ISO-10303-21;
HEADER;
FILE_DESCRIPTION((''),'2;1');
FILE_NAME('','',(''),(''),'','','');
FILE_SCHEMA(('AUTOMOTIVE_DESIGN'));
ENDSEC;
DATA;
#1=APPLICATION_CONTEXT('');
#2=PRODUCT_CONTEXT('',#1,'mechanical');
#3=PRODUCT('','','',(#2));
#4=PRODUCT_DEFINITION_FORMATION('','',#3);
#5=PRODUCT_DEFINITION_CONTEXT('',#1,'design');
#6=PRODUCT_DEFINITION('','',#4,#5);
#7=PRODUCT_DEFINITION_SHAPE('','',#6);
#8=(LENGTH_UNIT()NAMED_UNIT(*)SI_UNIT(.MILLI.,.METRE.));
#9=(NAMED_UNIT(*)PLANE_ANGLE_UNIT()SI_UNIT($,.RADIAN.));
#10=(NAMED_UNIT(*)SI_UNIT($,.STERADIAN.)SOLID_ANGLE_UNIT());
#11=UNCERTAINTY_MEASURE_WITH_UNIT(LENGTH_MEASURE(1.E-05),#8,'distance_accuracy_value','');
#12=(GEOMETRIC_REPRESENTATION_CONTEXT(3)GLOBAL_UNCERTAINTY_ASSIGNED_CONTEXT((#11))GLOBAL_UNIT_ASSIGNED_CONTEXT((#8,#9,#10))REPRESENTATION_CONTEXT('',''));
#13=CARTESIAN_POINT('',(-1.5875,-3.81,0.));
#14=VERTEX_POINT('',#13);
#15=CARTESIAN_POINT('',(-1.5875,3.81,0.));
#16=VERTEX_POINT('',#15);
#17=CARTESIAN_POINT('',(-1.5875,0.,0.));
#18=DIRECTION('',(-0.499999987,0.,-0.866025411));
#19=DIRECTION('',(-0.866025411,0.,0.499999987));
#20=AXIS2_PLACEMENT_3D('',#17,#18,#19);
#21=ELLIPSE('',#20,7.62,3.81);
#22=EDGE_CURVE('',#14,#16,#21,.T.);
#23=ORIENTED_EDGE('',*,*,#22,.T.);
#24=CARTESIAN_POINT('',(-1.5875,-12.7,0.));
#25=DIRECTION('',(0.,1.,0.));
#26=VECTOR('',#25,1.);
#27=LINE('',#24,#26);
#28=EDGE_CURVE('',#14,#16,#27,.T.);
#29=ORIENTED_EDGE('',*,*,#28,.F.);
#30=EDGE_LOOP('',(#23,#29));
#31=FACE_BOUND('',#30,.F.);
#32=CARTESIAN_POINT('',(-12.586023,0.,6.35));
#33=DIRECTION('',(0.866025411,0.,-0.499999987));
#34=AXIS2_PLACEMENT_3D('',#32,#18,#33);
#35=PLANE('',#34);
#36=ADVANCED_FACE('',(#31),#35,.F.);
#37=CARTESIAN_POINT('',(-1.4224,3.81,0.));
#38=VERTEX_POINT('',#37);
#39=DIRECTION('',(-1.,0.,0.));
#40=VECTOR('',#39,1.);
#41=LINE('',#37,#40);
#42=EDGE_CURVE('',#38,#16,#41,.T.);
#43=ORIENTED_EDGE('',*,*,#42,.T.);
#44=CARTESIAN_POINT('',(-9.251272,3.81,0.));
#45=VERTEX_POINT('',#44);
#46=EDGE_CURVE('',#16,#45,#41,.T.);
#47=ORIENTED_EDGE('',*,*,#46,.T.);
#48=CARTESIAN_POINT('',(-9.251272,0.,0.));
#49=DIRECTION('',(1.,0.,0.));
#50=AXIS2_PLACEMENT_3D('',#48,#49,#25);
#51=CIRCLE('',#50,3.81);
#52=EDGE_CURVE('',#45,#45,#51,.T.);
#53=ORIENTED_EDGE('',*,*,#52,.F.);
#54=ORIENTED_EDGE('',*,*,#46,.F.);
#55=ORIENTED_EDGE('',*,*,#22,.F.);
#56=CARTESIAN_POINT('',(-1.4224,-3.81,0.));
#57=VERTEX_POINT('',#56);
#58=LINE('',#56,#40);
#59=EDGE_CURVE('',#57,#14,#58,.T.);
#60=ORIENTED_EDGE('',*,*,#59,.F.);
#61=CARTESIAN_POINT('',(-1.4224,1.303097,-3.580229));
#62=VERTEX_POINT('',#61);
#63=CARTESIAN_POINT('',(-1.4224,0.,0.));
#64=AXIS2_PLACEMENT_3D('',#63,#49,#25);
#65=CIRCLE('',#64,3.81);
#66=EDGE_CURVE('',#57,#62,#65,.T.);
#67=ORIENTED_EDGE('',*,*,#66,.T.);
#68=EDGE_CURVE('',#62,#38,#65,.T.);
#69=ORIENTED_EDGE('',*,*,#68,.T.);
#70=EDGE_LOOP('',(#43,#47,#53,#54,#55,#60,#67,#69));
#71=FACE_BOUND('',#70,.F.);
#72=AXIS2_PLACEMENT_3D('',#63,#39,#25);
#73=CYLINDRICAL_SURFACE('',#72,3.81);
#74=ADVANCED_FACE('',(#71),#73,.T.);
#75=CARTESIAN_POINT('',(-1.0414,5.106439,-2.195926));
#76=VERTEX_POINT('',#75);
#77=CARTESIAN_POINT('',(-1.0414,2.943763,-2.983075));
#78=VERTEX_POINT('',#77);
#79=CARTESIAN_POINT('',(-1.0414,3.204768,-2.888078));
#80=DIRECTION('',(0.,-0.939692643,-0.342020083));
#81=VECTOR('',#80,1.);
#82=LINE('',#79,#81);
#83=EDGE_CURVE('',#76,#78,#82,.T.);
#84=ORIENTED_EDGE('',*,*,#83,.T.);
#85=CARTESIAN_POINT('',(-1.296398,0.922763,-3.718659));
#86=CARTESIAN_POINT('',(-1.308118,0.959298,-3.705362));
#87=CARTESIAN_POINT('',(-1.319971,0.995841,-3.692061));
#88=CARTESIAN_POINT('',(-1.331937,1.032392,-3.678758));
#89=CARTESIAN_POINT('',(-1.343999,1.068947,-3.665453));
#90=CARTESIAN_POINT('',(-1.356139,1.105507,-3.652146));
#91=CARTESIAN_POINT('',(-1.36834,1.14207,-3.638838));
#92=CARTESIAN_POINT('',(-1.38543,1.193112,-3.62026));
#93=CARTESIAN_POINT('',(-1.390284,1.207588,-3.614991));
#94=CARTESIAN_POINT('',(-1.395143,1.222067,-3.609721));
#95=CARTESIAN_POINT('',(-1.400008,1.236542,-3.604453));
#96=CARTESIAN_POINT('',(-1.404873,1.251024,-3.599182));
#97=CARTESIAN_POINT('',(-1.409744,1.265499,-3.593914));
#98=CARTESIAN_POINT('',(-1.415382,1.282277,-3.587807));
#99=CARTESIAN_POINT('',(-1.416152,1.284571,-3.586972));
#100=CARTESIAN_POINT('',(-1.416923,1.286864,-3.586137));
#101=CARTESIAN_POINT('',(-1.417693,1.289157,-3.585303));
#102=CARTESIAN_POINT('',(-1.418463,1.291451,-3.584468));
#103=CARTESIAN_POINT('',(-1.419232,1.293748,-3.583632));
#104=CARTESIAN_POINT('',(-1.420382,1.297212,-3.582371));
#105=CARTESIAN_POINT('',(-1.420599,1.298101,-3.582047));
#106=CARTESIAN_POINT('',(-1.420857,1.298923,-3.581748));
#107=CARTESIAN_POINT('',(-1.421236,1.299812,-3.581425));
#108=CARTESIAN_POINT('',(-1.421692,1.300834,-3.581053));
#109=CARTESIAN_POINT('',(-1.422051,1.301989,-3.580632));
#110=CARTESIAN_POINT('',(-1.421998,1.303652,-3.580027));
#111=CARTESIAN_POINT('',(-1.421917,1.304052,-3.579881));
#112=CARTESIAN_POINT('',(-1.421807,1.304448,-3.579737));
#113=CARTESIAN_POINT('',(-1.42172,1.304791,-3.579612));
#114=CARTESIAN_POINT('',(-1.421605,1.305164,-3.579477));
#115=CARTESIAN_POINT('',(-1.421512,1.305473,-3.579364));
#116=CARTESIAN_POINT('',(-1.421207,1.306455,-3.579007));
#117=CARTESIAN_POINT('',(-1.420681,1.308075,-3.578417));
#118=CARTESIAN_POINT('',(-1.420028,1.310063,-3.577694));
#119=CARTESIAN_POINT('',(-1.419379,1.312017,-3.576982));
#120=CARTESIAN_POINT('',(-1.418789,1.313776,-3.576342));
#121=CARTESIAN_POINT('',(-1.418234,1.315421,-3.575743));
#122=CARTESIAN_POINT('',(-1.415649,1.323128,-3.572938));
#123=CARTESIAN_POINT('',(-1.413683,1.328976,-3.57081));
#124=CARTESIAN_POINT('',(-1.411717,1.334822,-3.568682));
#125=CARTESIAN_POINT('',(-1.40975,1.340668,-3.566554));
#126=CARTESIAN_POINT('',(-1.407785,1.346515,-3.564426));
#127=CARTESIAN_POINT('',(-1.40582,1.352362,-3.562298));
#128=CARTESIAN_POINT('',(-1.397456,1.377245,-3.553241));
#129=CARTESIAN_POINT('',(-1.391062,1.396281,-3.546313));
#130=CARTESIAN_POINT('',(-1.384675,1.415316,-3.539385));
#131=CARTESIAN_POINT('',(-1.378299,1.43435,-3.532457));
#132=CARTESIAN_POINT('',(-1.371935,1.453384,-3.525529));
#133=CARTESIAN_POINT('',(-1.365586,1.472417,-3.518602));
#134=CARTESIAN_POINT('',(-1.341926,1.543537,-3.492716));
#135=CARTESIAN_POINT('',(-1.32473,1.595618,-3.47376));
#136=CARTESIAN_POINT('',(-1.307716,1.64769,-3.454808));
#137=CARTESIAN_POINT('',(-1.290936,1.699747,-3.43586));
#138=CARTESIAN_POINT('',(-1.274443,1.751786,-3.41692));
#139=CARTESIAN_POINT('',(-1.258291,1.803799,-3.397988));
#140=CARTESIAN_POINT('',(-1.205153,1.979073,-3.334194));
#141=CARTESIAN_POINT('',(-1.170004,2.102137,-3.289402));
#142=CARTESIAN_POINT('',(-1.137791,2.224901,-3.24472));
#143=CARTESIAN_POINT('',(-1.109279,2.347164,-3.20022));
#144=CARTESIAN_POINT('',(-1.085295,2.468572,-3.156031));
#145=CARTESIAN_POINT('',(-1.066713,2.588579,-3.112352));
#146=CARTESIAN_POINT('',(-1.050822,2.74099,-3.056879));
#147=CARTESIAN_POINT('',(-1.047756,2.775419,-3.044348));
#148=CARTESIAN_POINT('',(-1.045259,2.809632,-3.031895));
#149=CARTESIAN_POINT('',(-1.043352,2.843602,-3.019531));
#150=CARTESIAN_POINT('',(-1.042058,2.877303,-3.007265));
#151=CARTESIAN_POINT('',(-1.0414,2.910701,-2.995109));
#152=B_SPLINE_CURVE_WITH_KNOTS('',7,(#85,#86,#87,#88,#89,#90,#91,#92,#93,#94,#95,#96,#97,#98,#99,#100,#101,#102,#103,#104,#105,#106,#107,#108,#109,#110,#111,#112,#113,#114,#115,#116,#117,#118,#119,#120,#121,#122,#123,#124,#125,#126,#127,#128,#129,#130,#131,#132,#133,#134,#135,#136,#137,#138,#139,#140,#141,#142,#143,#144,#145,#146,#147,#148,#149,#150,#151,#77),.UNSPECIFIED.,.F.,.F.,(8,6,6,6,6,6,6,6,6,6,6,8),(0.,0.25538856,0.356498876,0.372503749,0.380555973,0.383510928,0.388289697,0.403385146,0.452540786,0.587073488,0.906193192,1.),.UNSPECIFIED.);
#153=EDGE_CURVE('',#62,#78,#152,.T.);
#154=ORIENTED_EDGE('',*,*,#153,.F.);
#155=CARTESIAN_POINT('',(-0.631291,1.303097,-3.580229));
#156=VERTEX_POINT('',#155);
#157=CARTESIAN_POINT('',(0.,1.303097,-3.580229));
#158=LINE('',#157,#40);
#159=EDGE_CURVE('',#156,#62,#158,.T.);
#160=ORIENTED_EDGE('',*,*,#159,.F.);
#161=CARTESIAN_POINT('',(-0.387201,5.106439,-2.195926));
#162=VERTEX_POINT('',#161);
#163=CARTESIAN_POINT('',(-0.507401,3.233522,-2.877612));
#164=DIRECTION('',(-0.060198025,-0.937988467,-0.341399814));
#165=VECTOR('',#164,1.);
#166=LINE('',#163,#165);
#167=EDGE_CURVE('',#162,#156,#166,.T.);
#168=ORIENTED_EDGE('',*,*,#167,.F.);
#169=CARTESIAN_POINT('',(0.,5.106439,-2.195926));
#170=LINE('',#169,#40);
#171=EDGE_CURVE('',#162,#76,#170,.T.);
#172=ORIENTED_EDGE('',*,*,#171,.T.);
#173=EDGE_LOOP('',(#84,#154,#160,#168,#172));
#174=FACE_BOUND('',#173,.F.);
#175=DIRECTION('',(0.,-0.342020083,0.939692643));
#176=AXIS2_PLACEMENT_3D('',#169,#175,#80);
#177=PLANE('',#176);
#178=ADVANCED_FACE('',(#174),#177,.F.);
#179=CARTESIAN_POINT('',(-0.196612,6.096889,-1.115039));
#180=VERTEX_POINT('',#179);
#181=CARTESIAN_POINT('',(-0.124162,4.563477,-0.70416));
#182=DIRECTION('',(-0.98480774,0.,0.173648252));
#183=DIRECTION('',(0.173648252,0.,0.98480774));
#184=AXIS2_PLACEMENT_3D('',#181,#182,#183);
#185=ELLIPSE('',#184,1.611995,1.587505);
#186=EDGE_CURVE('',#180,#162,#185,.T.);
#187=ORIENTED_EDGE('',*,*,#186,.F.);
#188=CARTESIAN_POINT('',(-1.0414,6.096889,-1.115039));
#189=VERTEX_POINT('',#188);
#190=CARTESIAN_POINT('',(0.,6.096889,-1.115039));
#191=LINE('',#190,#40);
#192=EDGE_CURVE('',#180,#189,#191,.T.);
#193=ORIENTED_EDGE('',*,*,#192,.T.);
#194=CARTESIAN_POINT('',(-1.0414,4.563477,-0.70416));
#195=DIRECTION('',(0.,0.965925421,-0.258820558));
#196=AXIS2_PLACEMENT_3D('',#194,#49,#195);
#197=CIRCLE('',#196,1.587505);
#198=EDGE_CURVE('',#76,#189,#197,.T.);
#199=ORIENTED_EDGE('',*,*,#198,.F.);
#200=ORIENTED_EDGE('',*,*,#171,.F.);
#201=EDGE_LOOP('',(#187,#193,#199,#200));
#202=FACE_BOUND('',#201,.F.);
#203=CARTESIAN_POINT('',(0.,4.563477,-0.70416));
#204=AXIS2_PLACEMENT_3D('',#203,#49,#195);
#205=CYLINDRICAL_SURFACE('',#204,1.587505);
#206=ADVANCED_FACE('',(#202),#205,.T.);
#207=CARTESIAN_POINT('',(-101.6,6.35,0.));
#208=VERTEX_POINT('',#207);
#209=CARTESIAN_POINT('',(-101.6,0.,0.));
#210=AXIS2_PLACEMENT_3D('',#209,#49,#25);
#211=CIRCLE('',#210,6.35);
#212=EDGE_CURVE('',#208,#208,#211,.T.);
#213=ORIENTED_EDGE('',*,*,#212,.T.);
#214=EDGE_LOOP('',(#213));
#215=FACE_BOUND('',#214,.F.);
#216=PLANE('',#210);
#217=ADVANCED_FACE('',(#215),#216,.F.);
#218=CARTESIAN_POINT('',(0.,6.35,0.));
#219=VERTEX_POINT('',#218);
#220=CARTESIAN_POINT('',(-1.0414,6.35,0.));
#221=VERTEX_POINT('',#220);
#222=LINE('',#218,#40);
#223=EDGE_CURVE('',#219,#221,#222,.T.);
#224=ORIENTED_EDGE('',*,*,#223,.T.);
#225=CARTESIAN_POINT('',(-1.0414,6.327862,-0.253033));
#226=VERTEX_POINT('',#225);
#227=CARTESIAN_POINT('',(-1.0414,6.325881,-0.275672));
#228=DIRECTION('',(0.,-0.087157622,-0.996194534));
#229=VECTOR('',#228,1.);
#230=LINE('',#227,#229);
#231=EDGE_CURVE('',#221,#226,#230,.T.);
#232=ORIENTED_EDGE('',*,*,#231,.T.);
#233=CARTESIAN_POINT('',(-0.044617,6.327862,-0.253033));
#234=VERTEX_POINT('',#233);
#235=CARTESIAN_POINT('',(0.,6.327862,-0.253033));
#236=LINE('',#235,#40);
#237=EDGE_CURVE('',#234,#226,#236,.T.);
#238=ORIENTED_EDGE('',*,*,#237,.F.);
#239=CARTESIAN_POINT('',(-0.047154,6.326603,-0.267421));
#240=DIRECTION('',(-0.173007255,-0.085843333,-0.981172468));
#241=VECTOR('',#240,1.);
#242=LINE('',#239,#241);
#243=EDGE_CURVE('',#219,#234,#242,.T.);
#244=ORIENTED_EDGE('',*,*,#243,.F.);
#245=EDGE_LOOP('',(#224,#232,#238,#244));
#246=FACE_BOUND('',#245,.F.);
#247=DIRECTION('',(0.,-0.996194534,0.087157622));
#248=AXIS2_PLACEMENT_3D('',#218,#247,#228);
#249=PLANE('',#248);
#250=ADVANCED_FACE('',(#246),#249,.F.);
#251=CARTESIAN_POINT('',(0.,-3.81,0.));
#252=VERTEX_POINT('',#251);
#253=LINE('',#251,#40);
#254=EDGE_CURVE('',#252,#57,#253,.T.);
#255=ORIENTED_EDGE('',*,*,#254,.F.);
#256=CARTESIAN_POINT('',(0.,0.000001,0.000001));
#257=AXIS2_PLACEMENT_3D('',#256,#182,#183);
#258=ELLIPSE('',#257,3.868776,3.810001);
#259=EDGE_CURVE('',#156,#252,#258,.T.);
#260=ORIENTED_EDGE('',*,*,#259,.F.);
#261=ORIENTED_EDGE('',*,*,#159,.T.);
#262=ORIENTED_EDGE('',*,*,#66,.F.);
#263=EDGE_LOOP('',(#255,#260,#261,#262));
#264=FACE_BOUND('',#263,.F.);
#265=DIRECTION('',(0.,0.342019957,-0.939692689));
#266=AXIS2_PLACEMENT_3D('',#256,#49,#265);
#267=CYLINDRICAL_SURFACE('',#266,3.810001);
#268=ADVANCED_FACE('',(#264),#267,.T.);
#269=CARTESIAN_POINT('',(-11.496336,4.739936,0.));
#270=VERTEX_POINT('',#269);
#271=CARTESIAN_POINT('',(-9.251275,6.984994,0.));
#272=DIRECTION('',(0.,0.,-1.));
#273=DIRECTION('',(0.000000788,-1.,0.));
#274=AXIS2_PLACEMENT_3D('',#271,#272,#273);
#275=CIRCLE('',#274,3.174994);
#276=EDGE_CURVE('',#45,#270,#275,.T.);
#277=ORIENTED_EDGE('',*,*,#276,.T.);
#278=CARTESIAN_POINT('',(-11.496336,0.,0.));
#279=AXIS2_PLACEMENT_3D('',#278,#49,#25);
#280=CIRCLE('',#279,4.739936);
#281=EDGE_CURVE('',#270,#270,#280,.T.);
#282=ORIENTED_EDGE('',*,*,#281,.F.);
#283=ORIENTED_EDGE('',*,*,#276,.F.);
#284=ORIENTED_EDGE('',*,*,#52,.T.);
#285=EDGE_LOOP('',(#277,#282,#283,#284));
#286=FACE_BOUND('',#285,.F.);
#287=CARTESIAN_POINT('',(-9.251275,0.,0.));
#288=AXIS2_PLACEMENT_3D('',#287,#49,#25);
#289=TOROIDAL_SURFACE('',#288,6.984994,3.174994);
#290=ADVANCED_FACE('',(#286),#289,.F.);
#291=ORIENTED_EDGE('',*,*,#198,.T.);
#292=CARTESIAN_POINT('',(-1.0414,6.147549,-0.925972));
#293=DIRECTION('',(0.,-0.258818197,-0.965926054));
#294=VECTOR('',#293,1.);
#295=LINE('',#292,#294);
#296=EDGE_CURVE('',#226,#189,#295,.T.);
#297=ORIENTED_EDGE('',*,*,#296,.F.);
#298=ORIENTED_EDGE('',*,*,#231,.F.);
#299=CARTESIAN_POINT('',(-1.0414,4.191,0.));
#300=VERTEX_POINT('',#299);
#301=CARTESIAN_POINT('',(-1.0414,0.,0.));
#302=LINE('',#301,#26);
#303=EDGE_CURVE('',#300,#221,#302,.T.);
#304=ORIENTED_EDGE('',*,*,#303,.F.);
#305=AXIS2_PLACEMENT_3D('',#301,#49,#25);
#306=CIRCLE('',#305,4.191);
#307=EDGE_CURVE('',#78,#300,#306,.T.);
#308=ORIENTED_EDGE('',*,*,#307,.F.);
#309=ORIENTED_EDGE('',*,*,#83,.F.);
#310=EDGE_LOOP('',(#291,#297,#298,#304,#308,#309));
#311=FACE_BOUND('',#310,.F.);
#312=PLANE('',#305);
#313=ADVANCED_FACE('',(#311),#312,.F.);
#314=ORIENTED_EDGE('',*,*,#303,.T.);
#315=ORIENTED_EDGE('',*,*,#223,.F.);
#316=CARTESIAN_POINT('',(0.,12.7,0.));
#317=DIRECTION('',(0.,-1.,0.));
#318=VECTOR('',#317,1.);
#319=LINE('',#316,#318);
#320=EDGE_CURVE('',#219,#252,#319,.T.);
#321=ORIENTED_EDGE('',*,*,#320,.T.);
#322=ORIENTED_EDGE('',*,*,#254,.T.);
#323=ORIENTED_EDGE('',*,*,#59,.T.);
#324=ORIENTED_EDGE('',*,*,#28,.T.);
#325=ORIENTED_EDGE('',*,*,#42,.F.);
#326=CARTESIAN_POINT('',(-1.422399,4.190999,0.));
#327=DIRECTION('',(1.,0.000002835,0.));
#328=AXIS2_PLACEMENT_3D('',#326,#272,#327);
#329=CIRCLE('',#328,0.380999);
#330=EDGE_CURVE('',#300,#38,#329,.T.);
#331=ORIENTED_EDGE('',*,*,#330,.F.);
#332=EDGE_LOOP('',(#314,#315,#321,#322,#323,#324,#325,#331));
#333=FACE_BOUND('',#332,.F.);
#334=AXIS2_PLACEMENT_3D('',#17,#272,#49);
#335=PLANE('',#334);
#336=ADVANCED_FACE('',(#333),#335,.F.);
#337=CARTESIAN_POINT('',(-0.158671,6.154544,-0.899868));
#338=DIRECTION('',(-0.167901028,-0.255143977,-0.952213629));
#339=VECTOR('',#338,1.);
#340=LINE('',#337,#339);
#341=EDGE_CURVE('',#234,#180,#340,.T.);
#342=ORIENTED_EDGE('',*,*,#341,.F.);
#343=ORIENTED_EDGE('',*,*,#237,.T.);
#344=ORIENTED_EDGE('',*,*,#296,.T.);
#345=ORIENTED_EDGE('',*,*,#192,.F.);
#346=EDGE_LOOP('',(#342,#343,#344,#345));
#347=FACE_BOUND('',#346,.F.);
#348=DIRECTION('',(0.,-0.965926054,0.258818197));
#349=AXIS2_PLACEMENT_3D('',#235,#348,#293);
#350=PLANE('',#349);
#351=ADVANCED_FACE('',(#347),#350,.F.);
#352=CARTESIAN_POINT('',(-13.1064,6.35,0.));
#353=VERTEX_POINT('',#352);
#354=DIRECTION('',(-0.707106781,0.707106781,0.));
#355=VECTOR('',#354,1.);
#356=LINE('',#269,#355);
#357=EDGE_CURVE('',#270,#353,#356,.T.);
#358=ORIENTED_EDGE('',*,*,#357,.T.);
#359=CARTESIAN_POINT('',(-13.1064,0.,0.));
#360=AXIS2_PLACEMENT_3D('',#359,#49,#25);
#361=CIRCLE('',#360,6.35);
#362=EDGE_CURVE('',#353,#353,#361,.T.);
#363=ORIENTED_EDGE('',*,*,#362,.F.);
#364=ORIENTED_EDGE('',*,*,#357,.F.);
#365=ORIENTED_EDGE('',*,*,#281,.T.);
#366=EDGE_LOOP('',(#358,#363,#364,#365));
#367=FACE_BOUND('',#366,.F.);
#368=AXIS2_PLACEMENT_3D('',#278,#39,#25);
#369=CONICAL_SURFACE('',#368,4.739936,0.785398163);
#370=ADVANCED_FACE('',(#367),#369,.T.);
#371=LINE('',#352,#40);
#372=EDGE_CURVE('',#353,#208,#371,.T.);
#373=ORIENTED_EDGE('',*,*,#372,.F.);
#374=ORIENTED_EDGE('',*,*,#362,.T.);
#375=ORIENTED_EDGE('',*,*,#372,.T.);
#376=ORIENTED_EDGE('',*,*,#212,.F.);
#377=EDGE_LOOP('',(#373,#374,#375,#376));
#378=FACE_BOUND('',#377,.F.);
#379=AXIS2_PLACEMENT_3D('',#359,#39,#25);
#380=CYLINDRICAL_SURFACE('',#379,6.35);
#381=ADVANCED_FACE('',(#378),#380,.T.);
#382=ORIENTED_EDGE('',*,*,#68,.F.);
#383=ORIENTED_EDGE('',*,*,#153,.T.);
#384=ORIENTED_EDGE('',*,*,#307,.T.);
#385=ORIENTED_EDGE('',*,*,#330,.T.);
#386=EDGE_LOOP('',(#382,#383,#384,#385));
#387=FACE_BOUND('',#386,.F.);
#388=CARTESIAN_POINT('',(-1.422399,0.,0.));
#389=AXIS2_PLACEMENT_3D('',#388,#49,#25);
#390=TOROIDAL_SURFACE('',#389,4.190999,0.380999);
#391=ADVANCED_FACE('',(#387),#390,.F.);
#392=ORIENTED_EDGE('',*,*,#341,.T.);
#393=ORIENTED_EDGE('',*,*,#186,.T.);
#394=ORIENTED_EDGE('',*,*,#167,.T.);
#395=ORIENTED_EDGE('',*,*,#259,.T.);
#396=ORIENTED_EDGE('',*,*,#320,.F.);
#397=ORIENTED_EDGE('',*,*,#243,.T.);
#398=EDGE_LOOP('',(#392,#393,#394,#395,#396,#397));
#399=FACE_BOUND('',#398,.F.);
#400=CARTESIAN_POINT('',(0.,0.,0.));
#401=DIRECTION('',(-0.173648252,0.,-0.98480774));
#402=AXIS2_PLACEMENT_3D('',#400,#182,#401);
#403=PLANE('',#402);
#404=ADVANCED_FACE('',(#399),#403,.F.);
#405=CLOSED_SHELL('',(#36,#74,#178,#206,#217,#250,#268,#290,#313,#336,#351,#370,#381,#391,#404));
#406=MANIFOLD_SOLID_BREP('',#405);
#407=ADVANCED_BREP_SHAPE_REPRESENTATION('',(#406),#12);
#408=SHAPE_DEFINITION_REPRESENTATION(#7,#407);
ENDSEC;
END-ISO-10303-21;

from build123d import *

# Parameters (mm, degrees)
F3_DEPTH = 12.7
F5_DEPTH = 1.5875
F7_DEPTH = 12.7


with BuildPart() as f1:
    # F0 (on Top) → F1 (revolve)
    with BuildSketch(Plane.XY):
        with BuildLine():
            Line((-101.6, 0), (0, 0))
            Line((0, 0), (0, 6.35))
            Line((0, 6.35), (-1.0414, 6.35))
            Line((-1.0414, 6.35), (-1.0414, 4.191))
            ThreePointArc((-1.0414, 4.191), (-1.152992, 3.921592), (-1.4224, 3.81))
            Line((-1.4224, 3.81), (-9.251272, 3.81))
            ThreePointArc((-9.251272, 3.81), (-10.466292, 4.051682), (-11.496336, 4.739936))
            Line((-11.496336, 4.739936), (-13.1064, 6.35))
            Line((-13.1064, 6.35), (-101.6, 6.35))
            Line((-101.6, 6.35), (-101.6, 0))
        make_face()
    revolve(axis=Axis((-50.8, 0, 0), (1, 0, 0)))

    # F2 (on Front) → F3 (cut, symmetric)
    with BuildSketch(Plane.XZ):
        Polygon((-1.5875, 0), (0, 0), (0, 6.35), (-12.586023, 6.35), align=None)
    extrude(amount=F3_DEPTH, both=True, mode=Mode.SUBTRACT)

    # F4 (on face) → F5 (cut)
    with BuildSketch(Plane.YZ):
        with BuildLine():
            Line((-6.604, 0), (-6.604, -6.604))
            Line((-6.604, -6.604), (6.35, -6.604))
            Line((6.35, -6.604), (6.35, 0))
            Line((6.35, 0), (6.327862, -0.253033))
            Line((6.327862, -0.253033), (6.096889, -1.115039))
            ThreePointArc((6.096889, -1.115039), (5.733909, -1.776663), (5.106439, -2.195926))
            Line((5.106439, -2.195926), (1.303097, -3.580229))
            ThreePointArc((1.303097, -3.580229), (-2.185326, -3.120969), (-3.81, 0))
            Line((-3.81, 0), (-6.604, 0))
        make_face()
    extrude(amount=-F5_DEPTH, mode=Mode.SUBTRACT)

    # F6 (on Front) → F7 (cut, symmetric)
    with BuildSketch(Plane.XZ):
        Polygon((0, -4.24096), (0, 0), (-0.747796, -4.24096), align=None)
    extrude(amount=F7_DEPTH, both=True, mode=Mode.SUBTRACT)


solid = f1.part
